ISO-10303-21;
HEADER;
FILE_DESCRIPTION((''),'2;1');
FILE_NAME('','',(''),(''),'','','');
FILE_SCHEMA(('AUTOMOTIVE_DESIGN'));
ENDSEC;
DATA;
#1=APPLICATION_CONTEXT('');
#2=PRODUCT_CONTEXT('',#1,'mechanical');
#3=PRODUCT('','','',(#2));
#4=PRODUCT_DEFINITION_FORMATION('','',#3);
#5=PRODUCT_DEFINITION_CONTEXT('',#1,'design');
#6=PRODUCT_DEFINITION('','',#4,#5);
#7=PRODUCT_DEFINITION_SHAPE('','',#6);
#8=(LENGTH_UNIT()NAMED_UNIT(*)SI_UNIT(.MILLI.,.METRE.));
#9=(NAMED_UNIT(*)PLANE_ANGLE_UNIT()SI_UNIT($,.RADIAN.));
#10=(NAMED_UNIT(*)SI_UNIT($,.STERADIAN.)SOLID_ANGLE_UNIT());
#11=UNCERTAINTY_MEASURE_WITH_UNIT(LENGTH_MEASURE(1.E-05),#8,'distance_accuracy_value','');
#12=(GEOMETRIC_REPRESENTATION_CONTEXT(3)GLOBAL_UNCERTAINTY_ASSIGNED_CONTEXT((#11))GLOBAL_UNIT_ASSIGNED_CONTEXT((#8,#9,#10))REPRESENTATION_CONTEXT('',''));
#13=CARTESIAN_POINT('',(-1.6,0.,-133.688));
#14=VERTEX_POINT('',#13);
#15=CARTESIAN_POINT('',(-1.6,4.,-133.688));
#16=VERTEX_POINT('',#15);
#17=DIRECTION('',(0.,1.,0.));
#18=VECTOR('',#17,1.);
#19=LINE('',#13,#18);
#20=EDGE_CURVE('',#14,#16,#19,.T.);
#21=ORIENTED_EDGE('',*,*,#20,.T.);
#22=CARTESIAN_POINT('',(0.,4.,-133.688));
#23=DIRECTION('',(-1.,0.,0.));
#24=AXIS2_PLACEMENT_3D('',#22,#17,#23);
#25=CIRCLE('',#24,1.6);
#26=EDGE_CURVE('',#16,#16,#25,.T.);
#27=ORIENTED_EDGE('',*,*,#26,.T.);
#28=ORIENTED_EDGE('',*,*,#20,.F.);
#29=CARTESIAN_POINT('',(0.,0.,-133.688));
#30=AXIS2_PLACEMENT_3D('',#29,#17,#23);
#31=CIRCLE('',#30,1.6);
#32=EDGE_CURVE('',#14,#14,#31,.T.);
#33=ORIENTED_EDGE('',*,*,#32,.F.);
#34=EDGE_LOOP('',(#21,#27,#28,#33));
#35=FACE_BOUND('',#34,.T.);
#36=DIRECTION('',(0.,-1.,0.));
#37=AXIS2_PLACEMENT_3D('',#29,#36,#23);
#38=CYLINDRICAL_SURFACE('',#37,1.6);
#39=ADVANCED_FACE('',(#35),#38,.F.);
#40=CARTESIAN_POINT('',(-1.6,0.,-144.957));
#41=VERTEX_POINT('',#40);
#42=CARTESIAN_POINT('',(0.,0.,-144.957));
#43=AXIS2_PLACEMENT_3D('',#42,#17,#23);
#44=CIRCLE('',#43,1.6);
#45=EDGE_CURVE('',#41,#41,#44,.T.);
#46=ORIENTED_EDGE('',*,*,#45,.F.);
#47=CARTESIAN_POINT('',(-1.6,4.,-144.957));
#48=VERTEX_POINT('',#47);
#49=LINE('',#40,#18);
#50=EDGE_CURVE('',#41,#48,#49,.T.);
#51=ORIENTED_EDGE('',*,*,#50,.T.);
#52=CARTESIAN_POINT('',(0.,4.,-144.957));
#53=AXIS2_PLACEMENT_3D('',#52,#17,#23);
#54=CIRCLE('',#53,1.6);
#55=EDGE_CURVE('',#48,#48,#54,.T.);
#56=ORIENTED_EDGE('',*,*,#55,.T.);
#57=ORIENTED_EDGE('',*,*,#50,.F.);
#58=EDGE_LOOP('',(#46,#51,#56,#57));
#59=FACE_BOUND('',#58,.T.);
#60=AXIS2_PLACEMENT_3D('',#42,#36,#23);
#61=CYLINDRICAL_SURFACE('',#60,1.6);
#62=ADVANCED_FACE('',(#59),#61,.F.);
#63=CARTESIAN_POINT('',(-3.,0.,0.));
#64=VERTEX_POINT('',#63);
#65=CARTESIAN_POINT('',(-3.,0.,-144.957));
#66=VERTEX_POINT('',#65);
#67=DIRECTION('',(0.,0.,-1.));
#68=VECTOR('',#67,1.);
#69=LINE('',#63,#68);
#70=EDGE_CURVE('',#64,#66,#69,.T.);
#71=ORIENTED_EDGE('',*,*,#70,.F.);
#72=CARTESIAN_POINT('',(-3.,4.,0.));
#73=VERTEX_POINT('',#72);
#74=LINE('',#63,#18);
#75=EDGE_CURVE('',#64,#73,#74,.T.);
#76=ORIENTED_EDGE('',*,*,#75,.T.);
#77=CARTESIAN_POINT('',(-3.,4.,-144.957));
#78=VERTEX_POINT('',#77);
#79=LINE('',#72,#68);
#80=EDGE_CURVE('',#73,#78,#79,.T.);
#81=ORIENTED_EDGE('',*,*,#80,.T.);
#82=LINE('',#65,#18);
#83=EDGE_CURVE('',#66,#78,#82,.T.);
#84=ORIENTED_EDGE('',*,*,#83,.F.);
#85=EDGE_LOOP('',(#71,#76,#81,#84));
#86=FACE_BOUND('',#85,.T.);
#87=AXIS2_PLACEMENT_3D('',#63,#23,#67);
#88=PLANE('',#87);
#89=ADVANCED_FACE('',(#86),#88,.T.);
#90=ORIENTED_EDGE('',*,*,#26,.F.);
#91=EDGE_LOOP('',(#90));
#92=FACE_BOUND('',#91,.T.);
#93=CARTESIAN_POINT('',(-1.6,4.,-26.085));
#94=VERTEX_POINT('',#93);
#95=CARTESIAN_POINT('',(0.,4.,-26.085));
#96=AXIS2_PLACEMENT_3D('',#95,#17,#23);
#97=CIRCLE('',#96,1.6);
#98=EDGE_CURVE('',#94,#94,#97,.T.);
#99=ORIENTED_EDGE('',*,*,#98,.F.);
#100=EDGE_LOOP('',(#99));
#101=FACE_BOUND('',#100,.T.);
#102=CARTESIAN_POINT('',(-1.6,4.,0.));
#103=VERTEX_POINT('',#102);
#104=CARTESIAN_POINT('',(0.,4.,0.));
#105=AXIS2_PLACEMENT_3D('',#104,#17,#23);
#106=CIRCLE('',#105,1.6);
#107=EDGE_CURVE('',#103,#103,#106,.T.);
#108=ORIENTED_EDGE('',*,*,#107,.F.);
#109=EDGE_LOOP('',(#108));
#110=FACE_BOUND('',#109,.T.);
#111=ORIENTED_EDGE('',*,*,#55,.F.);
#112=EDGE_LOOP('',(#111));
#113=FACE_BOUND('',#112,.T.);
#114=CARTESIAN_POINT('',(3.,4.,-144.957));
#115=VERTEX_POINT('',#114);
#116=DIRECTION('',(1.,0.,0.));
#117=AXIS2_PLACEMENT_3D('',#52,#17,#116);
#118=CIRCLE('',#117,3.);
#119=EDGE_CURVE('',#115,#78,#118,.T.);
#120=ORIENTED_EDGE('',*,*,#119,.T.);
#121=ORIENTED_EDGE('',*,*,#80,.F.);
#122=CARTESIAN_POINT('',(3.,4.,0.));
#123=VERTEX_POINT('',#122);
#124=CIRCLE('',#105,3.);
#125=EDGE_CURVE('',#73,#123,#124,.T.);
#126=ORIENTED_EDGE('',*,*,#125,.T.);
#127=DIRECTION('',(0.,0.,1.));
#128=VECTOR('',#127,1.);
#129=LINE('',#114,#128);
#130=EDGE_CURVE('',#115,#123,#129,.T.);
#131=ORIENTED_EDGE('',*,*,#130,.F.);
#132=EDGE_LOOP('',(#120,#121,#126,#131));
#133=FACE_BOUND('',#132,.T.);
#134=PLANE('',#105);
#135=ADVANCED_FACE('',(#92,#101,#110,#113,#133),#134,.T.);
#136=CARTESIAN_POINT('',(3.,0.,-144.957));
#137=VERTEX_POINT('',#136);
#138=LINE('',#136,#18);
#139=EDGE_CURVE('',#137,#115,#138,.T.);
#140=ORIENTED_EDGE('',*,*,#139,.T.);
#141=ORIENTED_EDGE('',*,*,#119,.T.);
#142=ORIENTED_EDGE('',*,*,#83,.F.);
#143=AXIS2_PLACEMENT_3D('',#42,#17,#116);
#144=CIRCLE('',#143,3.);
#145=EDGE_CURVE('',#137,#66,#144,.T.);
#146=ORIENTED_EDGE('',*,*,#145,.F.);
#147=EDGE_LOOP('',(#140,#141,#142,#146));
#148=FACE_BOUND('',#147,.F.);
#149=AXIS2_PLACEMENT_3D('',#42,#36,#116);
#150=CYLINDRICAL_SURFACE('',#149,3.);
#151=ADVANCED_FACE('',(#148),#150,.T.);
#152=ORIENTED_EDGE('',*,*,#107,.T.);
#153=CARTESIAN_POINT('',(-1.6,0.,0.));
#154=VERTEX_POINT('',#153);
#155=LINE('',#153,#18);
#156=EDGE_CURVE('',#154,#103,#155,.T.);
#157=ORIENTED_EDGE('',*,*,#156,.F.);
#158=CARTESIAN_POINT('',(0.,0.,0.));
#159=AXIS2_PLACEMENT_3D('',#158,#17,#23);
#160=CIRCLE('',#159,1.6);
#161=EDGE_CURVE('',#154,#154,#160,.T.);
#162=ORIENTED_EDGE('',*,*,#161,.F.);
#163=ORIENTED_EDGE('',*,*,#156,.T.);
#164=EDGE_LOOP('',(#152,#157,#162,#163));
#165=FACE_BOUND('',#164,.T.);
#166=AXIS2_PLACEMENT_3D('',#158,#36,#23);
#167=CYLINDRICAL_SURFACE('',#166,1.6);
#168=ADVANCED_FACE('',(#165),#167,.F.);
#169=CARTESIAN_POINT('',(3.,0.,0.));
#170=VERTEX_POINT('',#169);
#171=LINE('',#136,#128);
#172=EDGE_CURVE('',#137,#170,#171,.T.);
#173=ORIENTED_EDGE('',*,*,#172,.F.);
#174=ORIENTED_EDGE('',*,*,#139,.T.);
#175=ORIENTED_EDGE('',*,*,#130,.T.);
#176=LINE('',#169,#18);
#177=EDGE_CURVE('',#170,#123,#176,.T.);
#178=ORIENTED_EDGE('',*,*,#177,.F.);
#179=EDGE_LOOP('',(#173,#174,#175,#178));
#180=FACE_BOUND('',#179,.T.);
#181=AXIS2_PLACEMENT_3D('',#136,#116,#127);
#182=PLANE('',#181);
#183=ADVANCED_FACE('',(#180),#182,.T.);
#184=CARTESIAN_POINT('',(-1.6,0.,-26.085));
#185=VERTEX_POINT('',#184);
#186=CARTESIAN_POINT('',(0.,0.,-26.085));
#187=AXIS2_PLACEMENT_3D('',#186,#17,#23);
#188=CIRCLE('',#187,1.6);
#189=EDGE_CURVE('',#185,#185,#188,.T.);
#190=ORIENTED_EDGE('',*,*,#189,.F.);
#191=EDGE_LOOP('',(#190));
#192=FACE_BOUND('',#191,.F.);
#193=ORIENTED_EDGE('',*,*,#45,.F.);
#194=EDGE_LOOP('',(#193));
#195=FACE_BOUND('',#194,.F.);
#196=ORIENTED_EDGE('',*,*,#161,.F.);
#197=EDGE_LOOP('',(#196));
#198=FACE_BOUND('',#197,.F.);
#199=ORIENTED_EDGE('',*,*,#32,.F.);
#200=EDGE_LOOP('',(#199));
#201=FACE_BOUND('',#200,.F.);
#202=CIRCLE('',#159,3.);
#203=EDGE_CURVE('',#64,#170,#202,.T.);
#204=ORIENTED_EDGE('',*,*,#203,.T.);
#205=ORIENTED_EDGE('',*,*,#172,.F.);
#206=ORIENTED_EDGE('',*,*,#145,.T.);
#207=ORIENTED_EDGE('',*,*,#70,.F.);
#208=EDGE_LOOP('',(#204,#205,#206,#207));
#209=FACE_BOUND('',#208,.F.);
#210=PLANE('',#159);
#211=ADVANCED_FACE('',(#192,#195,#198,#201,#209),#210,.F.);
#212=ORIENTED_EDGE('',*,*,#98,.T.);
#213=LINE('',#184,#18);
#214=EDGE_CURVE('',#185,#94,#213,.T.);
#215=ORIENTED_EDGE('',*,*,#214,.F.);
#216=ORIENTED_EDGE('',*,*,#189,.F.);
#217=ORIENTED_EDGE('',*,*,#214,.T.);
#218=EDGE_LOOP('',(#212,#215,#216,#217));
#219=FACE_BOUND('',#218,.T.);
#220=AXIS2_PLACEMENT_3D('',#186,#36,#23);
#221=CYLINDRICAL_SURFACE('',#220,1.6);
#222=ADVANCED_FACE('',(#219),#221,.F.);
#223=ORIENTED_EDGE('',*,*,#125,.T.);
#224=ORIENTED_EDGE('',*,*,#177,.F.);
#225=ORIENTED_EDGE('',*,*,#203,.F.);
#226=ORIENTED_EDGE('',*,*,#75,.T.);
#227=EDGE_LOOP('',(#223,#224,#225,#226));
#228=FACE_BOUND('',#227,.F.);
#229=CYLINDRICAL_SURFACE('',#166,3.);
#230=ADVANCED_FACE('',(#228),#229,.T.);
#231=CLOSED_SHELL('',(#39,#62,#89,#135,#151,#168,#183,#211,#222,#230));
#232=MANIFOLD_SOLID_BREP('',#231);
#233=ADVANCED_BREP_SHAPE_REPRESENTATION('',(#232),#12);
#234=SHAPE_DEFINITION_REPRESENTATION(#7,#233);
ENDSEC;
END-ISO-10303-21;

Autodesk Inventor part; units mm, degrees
ref_plane "YZ Plane" through (0, 0, 0) normal (1, 0, 0) x (0, 1, 0)
ref_plane "XZ Plane" through (0, 0, 0) normal (0, 1, 0) x (-1, 0, 0)
ref_plane "XY Plane" through (0, 0, 0) normal (0, 0, 1) x (1, 0, 0)
sketch "Sketch1" plane through (0, 0, 0) normal (0, 1, 0) x (-1, 0, 0)
  line L0 (0, 0) -> (0, -144.957) construction
  line L1 (3, 0) -> (3, -144.957)
  line L2 (-3, -144.957) -> (-3, 0)
  arc A0 (3, 0) -> (-3, 0) centre (0, 0) ccw
  arc A1 (-3, -144.957) -> (3, -144.957) centre (0, -144.957) ccw
  circle A2 centre (0, 0) radius 1.6
  circle A3 centre (0, -144.957) radius 1.6
  circle A4 centre (0, -26.085) radius 1.6
  circle A5 centre (0, -133.688) radius 1.6
  point P0 (0, -72.4785)
  dimension "d0" = 3.2
  dimension "d1" = 3.2
  dimension "d2" = 6
  dimension "d3" = 144.957
  dimension "d10" = 3.2
  dimension "d11" = 26.085
  dimension "d12" = 3.2
  dimension "d13" = 133.688
extrude "Extrusion1" add sketch "Sketch1" along normal blind 4
